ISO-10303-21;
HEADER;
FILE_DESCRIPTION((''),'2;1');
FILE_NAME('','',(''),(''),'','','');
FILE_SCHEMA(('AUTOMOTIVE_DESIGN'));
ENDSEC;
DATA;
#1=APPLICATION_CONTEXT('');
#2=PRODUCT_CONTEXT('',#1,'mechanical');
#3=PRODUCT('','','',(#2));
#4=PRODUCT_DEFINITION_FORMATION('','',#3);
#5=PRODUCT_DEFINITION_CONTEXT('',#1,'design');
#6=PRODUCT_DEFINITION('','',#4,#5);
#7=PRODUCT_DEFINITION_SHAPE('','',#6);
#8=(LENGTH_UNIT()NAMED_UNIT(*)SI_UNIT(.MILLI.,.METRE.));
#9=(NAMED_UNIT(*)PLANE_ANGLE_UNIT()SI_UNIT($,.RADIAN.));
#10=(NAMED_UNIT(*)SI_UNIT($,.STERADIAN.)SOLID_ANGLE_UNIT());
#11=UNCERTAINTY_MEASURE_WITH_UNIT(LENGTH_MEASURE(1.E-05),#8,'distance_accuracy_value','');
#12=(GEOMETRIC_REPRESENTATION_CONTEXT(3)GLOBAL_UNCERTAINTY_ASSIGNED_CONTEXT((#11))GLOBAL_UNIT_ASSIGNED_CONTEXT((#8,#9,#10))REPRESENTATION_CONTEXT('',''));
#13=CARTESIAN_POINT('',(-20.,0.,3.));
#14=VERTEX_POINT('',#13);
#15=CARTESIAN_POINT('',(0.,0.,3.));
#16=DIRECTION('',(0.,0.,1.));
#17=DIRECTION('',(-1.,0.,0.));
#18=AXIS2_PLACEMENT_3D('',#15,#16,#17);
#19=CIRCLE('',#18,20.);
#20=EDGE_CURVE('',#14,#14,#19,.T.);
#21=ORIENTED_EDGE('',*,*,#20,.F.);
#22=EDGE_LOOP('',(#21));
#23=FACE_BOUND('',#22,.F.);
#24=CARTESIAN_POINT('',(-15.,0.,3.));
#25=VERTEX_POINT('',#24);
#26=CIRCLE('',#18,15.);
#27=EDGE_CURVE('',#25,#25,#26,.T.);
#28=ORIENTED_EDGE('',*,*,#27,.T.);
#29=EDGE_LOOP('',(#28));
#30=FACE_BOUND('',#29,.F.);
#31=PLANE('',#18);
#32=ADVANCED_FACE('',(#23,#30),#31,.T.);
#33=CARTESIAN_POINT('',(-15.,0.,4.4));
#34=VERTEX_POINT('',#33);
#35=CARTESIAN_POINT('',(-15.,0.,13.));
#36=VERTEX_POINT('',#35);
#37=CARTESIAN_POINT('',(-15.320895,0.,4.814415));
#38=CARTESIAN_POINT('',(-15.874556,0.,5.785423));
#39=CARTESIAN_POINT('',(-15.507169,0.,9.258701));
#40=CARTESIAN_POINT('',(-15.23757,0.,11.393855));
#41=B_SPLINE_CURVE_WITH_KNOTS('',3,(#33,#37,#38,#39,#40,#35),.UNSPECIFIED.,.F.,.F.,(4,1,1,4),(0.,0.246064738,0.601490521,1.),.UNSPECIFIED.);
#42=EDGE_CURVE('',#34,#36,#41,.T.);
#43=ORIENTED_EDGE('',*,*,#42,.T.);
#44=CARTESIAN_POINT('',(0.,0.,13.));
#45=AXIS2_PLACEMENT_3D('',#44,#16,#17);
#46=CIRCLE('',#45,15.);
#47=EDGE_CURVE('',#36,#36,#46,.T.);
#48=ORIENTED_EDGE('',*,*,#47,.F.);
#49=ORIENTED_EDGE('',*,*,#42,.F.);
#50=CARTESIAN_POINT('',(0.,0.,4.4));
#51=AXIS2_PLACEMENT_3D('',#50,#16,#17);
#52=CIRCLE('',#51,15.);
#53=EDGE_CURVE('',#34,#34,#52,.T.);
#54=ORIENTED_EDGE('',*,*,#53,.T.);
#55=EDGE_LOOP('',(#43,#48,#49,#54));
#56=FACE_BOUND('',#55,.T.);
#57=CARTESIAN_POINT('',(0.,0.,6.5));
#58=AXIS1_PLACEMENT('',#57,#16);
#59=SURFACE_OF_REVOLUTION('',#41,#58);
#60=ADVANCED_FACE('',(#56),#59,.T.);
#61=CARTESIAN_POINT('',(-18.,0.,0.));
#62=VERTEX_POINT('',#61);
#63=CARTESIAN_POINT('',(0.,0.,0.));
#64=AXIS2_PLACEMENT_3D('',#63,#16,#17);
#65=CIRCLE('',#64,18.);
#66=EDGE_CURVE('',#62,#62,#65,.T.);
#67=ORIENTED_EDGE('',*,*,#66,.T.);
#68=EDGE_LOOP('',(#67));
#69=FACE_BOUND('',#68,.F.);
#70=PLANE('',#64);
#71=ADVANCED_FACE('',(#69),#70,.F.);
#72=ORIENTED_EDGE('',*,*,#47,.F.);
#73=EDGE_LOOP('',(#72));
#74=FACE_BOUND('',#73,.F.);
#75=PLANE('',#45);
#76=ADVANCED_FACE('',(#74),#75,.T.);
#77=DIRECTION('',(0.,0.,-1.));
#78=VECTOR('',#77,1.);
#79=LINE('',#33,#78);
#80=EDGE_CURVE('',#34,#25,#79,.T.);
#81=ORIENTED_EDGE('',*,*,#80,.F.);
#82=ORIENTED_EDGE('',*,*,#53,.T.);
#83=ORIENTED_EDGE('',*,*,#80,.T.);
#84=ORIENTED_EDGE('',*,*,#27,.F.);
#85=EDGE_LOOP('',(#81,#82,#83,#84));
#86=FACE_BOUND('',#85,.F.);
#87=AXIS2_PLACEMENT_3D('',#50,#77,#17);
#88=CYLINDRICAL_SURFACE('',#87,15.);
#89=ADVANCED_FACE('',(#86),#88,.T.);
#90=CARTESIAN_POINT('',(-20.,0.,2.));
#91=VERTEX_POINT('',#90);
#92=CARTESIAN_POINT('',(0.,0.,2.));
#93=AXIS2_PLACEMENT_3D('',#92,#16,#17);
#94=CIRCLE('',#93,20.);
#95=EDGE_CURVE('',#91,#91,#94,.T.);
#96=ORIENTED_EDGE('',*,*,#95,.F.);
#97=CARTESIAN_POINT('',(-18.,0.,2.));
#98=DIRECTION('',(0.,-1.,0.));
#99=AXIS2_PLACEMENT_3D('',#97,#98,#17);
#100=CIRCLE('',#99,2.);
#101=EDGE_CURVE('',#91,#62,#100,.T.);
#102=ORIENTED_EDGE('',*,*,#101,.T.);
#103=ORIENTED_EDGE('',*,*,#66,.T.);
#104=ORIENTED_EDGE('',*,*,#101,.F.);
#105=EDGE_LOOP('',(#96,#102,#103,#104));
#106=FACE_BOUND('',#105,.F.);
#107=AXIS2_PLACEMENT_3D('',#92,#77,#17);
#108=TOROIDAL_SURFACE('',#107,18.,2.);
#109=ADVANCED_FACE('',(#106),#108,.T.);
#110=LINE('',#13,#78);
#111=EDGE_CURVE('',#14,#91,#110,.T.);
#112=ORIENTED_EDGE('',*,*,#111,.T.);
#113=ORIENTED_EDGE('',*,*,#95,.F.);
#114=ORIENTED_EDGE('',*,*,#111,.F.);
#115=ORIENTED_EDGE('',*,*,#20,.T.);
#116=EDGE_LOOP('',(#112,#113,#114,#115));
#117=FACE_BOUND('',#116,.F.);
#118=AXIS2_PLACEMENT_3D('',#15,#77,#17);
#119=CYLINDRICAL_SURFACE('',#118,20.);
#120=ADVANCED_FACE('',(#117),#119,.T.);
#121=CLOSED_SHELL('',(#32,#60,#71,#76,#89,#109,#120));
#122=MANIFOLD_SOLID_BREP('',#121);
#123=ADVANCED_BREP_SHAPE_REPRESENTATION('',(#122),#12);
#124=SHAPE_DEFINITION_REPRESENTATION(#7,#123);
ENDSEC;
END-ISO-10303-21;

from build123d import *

# Parameters (mm, degrees)
F2_R = 2


with BuildPart() as f1:
    # F0 (on Front) → F1 (revolve)
    with BuildSketch(Plane.XZ):
        with BuildLine():
            Line((0, 0), (0, 13))
            Line((0, 13), (-15, 13))
            add(Edge.make_bspline(
                [(-15, 4.4), (-15.3208951929, 4.8144145235), (-15.874556015, 5.7854230523), (-15.5071685552, 9.2587013818), (-15.237569809, 11.3938553259), (-15, 13)],
                knots=[0, 0, 0, 0, 0.2460647385, 0.6014905212, 1, 1, 1, 1], degree=3))
            Line((-15, 4.4), (-15, 3))
            Line((-15, 3), (-20, 3))
            Line((-20, 3), (-20, 0))
            Line((-20, 0), (0, 0))
        make_face()
    revolve(axis=Axis((0, 0, 6.5), (0, 0, 1)))

    # F2
    f2_edges = [f1.edges().sort_by_distance(p)[0] for p in [
        (20, 0, 0),
    ]]
    fillet(f2_edges, radius=F2_R)


solid = f1.part
